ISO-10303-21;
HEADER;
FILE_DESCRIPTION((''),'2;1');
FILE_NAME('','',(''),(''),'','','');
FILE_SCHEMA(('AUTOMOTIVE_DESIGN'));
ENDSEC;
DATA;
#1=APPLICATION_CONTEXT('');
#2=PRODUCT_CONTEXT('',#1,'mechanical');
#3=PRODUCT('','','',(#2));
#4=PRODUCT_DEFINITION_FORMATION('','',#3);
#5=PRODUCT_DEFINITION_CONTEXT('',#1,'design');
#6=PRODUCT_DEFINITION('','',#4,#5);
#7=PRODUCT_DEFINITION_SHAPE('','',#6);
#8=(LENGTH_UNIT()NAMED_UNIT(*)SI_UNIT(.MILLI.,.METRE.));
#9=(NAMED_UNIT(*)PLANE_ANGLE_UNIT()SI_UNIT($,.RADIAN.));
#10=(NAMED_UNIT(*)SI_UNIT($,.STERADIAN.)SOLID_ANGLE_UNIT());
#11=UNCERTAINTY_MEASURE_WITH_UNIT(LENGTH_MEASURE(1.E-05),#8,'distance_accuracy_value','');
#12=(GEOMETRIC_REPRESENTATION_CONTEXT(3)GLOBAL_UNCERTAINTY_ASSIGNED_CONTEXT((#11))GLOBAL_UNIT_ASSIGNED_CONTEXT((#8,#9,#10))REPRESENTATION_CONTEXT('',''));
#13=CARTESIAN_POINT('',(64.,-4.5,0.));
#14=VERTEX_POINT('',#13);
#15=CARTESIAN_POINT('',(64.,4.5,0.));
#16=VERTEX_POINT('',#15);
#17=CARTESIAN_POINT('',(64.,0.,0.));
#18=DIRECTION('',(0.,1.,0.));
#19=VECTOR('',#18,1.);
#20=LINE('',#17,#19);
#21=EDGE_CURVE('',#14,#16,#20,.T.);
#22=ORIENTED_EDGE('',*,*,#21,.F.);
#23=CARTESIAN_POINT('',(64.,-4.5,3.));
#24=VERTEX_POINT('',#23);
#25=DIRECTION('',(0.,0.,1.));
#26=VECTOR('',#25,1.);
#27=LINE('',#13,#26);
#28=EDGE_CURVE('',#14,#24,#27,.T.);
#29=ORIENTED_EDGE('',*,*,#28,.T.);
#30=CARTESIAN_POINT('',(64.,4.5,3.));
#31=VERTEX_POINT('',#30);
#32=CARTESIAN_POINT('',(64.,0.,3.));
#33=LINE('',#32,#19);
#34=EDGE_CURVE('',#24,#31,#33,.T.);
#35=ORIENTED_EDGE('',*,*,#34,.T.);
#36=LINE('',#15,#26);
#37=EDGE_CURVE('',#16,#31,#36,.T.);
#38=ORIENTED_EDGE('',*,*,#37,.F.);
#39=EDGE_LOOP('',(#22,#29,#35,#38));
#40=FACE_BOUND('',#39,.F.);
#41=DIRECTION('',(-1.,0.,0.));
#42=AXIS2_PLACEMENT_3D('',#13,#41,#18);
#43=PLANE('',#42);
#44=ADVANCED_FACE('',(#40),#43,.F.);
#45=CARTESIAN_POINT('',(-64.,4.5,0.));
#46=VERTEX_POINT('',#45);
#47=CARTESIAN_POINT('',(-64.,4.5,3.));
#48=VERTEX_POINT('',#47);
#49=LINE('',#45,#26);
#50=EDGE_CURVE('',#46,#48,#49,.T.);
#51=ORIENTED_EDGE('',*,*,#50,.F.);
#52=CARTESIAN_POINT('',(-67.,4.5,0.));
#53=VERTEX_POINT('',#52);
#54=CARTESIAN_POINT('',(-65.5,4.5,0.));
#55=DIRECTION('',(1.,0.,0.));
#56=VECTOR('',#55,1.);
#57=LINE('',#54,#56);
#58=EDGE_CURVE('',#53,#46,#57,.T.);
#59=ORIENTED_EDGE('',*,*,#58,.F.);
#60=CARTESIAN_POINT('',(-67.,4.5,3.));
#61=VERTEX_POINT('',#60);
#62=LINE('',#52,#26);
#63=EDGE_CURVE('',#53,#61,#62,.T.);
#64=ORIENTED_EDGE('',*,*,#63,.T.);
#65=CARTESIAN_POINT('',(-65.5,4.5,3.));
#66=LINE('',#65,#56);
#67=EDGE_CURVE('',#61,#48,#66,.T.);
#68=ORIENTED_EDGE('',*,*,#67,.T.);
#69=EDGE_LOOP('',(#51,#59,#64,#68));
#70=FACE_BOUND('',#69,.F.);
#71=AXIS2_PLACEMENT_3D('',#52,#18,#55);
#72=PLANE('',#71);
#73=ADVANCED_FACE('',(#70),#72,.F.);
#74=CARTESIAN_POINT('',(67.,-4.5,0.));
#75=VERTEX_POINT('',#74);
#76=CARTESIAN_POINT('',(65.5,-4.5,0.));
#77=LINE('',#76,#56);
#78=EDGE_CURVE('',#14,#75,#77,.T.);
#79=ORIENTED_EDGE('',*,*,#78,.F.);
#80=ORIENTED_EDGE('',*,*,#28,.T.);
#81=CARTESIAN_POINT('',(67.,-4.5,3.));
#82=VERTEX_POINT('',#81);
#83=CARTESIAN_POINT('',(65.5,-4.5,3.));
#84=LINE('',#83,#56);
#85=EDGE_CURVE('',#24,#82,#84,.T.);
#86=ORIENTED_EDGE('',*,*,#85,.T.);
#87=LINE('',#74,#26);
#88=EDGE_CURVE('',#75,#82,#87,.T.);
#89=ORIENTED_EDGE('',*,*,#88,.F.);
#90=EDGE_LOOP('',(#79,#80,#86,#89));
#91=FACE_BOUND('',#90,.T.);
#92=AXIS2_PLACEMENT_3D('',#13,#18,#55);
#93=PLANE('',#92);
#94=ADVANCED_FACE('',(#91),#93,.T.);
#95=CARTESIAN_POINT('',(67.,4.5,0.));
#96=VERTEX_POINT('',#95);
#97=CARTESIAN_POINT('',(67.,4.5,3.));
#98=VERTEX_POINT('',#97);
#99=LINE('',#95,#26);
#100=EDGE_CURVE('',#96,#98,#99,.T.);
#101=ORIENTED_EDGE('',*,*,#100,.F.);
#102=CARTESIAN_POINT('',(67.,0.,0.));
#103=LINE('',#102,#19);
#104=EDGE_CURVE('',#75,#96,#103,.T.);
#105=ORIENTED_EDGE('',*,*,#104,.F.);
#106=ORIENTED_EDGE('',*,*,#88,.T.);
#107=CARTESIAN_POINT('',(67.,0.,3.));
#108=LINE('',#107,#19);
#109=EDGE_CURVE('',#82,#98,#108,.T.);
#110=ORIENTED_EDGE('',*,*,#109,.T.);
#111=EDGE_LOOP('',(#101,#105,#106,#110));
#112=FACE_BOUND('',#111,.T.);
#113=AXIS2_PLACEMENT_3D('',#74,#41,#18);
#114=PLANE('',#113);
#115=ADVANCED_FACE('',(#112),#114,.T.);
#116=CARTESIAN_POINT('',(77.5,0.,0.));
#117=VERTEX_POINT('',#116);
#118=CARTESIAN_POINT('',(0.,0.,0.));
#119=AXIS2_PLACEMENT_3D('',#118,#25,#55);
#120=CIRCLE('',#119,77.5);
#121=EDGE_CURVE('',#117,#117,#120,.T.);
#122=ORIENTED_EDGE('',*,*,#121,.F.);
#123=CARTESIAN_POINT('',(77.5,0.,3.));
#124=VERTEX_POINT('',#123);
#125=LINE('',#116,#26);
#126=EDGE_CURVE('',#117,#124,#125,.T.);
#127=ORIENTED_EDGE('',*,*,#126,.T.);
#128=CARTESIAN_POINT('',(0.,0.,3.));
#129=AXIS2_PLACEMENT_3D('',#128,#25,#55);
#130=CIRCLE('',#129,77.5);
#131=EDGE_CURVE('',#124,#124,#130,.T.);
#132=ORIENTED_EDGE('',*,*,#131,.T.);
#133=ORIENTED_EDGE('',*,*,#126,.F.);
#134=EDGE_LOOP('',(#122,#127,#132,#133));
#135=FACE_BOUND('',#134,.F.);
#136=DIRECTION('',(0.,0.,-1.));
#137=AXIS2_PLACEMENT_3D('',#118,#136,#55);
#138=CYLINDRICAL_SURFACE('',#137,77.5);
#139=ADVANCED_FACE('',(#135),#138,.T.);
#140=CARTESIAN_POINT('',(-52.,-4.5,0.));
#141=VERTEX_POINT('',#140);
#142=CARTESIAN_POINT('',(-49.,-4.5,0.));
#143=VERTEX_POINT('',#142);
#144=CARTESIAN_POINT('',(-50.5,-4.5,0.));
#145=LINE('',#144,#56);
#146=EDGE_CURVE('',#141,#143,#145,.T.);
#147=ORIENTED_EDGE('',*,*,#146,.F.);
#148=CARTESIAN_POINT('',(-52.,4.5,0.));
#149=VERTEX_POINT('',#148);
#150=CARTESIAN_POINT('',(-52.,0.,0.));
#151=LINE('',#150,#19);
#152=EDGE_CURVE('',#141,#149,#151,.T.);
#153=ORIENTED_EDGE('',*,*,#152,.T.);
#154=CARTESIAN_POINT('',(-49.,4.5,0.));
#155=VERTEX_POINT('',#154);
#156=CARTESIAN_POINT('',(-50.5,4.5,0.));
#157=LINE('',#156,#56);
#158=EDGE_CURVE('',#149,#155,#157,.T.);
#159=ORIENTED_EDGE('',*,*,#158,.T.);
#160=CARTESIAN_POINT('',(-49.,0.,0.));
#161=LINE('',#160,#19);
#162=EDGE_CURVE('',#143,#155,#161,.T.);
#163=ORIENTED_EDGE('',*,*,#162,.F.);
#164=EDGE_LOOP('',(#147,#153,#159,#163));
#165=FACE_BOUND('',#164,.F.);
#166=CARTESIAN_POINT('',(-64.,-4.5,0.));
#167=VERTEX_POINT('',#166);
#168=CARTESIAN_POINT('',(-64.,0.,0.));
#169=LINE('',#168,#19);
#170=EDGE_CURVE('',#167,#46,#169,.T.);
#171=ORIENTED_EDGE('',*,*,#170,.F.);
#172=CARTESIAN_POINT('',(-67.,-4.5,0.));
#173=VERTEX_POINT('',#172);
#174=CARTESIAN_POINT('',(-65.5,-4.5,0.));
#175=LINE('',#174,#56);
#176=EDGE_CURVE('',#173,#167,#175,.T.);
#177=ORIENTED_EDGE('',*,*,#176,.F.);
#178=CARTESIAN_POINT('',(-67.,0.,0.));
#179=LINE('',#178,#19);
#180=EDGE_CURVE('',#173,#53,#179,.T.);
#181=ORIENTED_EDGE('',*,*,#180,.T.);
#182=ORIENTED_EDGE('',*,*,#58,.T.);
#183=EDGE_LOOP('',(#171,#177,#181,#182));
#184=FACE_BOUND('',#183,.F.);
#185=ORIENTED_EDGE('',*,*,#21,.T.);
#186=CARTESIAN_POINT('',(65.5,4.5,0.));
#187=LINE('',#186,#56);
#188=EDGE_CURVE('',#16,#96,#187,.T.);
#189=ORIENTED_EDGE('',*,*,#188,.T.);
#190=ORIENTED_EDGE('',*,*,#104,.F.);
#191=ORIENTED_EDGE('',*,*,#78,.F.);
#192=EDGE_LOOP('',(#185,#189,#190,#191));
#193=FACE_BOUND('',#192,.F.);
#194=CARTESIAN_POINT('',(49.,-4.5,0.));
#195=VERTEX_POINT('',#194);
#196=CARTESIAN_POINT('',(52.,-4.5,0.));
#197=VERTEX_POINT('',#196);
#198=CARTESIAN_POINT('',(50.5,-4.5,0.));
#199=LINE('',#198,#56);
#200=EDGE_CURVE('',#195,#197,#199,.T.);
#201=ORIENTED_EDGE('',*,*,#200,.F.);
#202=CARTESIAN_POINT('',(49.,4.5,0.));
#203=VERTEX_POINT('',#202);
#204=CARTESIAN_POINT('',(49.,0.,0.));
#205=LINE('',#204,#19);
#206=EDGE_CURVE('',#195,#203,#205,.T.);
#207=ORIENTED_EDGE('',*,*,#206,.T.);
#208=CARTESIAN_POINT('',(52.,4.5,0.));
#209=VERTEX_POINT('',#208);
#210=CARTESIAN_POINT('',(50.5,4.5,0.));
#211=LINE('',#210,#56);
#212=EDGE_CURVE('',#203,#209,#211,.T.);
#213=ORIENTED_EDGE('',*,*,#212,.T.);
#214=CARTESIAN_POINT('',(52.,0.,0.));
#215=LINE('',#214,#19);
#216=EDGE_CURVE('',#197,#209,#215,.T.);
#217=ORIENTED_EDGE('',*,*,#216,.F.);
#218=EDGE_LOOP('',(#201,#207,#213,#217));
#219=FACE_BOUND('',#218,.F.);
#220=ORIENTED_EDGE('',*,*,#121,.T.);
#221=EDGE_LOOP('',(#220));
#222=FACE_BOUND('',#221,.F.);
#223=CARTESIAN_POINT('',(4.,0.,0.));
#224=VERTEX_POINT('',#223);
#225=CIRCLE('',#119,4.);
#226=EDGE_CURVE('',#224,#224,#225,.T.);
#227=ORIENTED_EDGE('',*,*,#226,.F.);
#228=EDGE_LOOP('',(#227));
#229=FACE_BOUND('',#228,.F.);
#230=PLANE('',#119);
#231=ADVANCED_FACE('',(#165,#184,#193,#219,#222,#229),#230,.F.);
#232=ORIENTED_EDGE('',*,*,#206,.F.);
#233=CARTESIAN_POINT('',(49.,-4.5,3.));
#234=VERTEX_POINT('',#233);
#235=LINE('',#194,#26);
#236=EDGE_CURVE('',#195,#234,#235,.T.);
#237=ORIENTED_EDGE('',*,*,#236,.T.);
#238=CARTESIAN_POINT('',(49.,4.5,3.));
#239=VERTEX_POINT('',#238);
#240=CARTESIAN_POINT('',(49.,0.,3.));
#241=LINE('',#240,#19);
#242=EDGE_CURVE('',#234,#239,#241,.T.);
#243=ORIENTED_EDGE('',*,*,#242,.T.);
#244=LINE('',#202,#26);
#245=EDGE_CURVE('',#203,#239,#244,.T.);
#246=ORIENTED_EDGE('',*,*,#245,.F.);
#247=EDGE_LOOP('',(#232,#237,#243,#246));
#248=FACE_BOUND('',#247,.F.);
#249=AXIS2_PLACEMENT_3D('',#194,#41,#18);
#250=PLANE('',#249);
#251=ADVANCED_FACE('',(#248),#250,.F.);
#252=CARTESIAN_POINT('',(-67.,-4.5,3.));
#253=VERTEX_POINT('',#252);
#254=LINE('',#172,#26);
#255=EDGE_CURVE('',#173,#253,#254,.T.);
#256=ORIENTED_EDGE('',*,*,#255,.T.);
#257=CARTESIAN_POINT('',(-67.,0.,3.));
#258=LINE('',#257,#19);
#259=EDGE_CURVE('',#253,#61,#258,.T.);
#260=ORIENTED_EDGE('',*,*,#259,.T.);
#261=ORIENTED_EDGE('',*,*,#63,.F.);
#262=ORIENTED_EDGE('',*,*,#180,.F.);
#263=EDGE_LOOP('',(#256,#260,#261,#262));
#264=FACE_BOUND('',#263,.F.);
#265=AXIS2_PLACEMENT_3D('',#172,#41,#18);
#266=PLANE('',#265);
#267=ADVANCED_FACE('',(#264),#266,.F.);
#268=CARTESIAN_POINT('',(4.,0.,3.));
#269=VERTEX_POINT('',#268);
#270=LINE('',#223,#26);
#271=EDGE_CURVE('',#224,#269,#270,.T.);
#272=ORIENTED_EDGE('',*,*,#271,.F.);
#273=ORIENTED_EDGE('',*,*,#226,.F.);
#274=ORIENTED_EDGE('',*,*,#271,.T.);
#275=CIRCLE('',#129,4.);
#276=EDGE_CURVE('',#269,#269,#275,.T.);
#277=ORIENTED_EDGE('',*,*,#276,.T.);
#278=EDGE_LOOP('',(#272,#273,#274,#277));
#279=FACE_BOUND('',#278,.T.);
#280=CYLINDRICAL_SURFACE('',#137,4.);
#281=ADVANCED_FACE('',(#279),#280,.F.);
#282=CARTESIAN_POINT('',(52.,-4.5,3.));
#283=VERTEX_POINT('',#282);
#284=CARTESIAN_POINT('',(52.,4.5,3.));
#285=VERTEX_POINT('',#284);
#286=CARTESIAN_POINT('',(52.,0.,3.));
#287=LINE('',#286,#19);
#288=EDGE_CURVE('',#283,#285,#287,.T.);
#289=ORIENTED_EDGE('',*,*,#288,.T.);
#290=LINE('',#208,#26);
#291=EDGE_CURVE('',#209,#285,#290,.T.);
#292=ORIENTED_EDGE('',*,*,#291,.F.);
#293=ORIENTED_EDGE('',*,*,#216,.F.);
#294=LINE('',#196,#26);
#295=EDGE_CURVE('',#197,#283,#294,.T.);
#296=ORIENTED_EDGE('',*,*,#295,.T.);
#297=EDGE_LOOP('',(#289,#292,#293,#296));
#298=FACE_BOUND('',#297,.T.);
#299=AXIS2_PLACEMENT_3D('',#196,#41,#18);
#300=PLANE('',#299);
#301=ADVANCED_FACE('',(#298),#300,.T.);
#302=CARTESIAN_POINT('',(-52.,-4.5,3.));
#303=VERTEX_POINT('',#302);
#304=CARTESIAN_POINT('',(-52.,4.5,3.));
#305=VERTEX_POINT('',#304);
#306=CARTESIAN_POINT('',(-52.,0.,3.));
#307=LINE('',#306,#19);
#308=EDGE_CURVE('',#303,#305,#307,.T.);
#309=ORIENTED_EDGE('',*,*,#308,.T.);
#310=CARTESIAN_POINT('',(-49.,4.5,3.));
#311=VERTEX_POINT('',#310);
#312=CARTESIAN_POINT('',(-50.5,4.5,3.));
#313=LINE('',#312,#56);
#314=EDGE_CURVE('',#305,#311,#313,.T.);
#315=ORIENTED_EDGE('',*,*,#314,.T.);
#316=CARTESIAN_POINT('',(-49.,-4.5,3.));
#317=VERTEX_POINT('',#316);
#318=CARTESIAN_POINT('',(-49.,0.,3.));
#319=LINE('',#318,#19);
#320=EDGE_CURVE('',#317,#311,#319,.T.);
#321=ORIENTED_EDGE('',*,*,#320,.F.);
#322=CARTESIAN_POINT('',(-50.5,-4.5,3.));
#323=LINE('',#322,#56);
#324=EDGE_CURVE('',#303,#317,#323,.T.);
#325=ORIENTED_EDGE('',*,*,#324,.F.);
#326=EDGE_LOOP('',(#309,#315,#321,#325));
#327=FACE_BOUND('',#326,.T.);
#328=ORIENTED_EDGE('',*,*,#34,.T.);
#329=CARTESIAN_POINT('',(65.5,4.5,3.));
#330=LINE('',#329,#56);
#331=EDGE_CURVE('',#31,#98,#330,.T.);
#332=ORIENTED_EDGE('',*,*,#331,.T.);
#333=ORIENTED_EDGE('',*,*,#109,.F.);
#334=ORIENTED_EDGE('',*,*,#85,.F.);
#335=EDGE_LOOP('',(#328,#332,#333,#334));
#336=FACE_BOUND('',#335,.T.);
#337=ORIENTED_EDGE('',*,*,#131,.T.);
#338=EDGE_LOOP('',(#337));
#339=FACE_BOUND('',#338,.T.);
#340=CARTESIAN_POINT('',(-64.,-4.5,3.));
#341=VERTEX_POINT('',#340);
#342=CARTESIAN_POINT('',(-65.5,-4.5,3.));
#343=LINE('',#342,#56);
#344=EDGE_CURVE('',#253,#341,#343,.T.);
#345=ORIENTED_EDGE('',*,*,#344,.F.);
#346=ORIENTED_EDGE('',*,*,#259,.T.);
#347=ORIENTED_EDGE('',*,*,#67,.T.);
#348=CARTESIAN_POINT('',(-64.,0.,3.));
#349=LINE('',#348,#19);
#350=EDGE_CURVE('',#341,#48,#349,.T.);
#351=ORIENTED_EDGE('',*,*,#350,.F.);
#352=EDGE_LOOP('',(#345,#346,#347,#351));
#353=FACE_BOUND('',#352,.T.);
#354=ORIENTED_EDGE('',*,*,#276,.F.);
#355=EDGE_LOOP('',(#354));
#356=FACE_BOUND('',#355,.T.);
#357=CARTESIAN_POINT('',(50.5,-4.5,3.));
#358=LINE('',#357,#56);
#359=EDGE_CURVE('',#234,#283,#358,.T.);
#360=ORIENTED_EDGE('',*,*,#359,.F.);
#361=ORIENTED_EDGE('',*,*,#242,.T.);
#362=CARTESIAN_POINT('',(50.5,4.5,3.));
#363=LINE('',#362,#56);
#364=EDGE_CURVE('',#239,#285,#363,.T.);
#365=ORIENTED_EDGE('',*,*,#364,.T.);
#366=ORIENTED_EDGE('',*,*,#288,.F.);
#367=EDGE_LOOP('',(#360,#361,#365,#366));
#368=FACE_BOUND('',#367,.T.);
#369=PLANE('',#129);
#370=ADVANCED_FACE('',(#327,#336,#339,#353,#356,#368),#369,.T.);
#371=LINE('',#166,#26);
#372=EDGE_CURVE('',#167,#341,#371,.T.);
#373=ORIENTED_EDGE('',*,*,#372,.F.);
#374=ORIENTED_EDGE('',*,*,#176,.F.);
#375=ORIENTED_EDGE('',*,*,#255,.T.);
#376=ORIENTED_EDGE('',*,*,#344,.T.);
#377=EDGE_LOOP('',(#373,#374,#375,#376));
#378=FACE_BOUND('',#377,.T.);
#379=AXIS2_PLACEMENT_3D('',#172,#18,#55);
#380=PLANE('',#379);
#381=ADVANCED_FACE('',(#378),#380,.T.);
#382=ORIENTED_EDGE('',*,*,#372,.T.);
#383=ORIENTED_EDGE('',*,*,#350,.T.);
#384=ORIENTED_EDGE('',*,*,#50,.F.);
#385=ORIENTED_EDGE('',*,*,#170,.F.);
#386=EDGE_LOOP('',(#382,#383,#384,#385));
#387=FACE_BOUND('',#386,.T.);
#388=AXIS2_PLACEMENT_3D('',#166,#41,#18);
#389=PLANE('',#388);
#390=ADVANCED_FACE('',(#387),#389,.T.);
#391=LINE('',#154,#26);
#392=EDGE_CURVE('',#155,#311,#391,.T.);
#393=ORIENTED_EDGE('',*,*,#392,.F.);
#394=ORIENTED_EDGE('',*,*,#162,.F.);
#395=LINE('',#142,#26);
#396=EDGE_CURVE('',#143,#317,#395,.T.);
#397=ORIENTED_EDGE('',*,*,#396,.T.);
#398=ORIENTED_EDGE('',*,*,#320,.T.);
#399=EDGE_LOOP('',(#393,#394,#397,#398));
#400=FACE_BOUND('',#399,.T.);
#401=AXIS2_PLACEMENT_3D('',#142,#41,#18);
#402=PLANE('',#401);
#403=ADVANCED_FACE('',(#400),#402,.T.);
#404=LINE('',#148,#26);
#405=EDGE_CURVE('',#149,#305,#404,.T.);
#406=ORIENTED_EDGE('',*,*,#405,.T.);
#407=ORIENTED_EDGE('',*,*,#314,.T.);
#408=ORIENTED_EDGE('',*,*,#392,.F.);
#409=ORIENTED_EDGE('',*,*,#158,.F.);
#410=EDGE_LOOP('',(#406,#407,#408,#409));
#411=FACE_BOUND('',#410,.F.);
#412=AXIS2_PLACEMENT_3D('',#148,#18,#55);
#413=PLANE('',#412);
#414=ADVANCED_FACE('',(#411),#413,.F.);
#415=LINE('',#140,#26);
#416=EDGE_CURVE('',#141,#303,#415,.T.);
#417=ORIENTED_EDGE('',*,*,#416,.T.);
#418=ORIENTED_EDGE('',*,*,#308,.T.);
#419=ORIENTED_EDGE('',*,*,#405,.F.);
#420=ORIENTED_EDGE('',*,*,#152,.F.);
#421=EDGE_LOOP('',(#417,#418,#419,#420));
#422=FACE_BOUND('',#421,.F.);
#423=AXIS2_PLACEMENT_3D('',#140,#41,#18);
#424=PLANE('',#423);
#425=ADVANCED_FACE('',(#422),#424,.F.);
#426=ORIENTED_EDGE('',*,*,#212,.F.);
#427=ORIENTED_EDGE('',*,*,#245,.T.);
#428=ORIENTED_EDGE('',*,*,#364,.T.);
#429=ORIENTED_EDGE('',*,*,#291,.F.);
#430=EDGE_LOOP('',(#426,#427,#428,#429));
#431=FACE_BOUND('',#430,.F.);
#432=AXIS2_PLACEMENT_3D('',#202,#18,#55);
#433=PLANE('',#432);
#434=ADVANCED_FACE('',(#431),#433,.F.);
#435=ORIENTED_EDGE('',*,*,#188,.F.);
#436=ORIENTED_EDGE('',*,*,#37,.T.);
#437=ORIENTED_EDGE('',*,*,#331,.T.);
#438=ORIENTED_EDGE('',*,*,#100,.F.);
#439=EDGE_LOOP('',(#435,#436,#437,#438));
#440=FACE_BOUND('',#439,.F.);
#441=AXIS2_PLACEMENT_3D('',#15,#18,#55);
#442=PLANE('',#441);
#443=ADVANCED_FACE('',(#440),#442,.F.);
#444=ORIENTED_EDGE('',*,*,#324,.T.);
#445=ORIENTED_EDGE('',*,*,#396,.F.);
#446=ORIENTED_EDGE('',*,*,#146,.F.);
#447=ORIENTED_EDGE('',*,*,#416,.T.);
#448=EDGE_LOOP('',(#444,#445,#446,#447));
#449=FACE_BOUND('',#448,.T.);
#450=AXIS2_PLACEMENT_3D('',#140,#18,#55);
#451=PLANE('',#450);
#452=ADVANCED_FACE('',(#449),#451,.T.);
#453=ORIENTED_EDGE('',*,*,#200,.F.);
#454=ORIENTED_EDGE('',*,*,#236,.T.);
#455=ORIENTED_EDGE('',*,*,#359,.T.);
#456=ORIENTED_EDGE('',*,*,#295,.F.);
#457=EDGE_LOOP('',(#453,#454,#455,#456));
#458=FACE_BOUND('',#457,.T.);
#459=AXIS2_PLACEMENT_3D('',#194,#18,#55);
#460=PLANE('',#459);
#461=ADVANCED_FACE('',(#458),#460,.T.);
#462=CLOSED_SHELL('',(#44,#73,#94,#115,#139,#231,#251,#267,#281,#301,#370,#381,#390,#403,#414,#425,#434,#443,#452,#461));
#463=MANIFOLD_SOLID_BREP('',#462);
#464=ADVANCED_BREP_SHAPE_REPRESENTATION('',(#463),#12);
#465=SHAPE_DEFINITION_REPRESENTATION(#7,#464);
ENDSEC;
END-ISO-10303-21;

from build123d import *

# Parameters (mm, degrees)
BOX127_W          = 3
BOX127_H          = 9
BOX127_DEPTH      = 3
BOX128_W          = 3
BOX128_H          = 9
BOX128_DEPTH      = 3
BOX_W             = 3
BOX_H             = 9
BOX_DEPTH         = 3
BOX126_W          = 3
BOX126_H          = 9
BOX126_DEPTH      = 3
CYLINDER017_R     = 4
CYLINDER017_DEPTH = 3
CYLINDER_R        = 77.5
CYLINDER_DEPTH    = 3


with BuildPart() as cube049:
    # Box127 → Box127 (new body)
    with BuildSketch(Plane(origin=(49, -4.5, 0), x_dir=(1, 0, 0), z_dir=(0, 0, 1))):
        with Locations((1.5, 4.5)):
            Rectangle(BOX127_W, BOX127_H)
    extrude(amount=BOX127_DEPTH)


with BuildPart() as cube050:
    # Box128 → Box128 (new body)
    with BuildSketch(Plane(origin=(64, -4.5, 0), x_dir=(1, 0, 0), z_dir=(0, 0, 1))):
        with Locations((1.5, 4.5)):
            Rectangle(BOX128_W, BOX128_H)
    extrude(amount=BOX128_DEPTH)


with BuildPart() as cube:
    # Box → Box (new body)
    with BuildSketch(Plane(origin=(-52, -4.5, 0), x_dir=(1, 0, 0), z_dir=(0, 0, 1))):
        with Locations((1.5, 4.5)):
            Rectangle(BOX_W, BOX_H)
    extrude(amount=BOX_DEPTH)


with BuildPart() as cube048:
    # Box126 → Box126 (new body)
    with BuildSketch(Plane(origin=(-67, -4.5, 0), x_dir=(1, 0, 0), z_dir=(0, 0, 1))):
        with Locations((1.5, 4.5)):
            Rectangle(BOX126_W, BOX126_H)
    extrude(amount=BOX126_DEPTH)


with BuildPart() as cylinder001:
    # Cylinder017 → Cylinder017 (new body)
    with BuildSketch(Plane.XY):
        Circle(CYLINDER017_R)
    extrude(amount=CYLINDER017_DEPTH)


with BuildPart() as cut004:
    # Cylinder → Cylinder (new body)
    with BuildSketch(Plane.XY):
        Circle(CYLINDER_R)
    extrude(amount=CYLINDER_DEPTH)

    # Cut: cut Cylinder001
    add(cylinder001.part, mode=Mode.SUBTRACT)

    # Cut001: cut Cube048
    add(cube048.part, mode=Mode.SUBTRACT)

    # Cut002: cut Cube
    add(cube.part, mode=Mode.SUBTRACT)

    # Cut003: cut Cube050
    add(cube050.part, mode=Mode.SUBTRACT)

    # Cut004: cut Cube049
    add(cube049.part, mode=Mode.SUBTRACT)


solid = cut004.part
